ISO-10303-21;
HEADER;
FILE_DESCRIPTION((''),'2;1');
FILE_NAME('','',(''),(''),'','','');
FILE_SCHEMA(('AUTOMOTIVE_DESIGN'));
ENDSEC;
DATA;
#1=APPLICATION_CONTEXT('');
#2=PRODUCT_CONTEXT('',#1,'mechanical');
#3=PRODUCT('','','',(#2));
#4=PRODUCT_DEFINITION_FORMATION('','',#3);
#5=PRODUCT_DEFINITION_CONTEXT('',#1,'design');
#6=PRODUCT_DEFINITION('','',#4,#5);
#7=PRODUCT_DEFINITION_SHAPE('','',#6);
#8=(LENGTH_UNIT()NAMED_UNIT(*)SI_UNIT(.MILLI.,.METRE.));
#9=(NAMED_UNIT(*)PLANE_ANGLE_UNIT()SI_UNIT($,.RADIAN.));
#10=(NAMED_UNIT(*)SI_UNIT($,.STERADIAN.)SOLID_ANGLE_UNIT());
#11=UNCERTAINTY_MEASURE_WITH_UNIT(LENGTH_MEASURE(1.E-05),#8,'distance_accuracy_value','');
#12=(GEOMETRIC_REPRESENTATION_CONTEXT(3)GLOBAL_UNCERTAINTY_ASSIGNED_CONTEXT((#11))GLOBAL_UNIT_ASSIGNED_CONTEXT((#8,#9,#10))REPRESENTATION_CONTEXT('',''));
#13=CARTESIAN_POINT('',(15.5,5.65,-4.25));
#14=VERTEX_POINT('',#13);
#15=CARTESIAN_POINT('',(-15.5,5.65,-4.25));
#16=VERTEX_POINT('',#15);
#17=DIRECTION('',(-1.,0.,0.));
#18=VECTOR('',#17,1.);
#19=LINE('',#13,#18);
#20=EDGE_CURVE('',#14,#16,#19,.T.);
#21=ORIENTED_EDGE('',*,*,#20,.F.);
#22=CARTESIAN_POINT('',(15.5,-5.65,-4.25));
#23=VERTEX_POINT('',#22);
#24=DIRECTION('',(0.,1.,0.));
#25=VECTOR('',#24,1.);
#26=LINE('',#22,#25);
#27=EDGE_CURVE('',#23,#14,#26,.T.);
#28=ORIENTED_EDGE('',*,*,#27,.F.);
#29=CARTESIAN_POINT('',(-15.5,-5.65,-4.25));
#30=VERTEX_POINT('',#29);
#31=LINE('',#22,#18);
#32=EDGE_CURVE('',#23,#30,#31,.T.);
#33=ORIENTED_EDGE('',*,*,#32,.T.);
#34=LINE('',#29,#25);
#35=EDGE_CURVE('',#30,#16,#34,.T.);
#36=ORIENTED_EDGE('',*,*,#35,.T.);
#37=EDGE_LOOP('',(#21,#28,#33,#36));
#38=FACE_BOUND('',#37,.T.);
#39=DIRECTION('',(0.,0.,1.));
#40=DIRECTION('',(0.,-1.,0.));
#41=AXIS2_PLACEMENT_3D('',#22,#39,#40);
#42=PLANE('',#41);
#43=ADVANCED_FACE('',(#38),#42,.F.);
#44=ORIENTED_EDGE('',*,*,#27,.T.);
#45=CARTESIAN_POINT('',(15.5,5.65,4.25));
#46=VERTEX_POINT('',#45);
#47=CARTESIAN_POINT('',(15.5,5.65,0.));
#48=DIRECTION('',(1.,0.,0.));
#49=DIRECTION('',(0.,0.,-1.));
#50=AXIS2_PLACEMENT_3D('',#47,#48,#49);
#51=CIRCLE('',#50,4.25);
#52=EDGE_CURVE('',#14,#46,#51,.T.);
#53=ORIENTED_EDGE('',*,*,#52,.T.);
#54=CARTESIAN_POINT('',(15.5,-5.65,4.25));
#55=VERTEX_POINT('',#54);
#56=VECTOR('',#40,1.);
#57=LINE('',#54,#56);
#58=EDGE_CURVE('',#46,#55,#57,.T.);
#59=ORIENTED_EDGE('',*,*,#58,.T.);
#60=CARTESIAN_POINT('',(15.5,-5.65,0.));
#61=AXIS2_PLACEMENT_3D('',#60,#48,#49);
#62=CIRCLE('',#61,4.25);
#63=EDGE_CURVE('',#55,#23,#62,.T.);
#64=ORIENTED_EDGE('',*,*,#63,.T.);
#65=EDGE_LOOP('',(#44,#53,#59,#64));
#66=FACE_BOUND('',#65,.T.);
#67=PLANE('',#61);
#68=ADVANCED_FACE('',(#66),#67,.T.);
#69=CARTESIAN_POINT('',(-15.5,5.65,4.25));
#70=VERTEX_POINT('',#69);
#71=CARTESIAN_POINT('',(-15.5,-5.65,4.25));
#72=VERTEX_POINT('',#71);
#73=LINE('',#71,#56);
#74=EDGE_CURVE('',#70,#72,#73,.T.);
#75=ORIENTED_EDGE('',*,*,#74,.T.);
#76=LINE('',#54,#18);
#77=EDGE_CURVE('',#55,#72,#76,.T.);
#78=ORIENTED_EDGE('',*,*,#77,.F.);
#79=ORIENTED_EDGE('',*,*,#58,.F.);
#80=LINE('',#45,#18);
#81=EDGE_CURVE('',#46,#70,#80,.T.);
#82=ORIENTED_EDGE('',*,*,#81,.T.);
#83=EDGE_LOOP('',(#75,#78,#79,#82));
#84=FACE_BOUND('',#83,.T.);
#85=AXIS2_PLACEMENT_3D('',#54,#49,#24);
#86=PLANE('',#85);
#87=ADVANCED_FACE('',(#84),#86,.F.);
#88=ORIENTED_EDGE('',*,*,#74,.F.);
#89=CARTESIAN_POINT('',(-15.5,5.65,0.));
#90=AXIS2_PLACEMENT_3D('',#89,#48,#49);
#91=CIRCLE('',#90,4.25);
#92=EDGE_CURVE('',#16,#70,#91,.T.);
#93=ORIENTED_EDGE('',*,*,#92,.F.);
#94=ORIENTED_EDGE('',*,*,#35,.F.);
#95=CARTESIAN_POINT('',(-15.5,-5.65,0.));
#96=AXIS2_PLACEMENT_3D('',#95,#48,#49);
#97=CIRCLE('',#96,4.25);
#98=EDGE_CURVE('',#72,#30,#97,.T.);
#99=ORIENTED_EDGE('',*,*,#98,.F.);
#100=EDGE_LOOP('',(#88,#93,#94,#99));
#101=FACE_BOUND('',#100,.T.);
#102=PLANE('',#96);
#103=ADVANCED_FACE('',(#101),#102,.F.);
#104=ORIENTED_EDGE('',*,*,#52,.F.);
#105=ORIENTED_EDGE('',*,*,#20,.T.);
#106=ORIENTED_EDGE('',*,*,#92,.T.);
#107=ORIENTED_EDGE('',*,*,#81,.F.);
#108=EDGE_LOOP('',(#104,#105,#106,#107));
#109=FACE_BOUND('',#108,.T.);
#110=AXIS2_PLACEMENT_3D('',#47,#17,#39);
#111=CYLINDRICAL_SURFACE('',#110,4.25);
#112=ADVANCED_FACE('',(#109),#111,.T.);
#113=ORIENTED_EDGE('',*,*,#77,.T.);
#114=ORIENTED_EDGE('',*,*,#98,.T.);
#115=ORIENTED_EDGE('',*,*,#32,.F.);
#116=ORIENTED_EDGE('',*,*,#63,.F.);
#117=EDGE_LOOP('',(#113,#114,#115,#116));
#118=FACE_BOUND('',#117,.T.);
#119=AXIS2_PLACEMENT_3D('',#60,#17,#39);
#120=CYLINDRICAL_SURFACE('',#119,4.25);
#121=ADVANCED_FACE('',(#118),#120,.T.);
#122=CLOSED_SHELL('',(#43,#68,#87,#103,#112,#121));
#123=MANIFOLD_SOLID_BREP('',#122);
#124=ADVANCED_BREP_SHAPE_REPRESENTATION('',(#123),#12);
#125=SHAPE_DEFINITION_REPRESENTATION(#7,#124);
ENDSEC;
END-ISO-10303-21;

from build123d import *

# Parameters (mm, degrees)
EXTRUDE_1_DEPTH = 15.5


with BuildPart() as part:
    # ｽｹｯﾁ1 → ﾎﾞｽ - 押し出し1 (new, symmetric)
    with BuildSketch(Plane(origin=(0, 0, 0), x_dir=(0, 0, -1), z_dir=(1, 0, 0))):
        with BuildLine():
            Line((-4.25, -5.65), (-4.25, 5.65))
            ThreePointArc((-4.25, 5.65), (0, 9.9), (4.25, 5.65))
            Line((4.25, 5.65), (4.25, -5.65))
            ThreePointArc((4.25, -5.65), (0, -9.9), (-4.25, -5.65))
        make_face()
    extrude(amount=EXTRUDE_1_DEPTH, both=True)


solid = part.part
